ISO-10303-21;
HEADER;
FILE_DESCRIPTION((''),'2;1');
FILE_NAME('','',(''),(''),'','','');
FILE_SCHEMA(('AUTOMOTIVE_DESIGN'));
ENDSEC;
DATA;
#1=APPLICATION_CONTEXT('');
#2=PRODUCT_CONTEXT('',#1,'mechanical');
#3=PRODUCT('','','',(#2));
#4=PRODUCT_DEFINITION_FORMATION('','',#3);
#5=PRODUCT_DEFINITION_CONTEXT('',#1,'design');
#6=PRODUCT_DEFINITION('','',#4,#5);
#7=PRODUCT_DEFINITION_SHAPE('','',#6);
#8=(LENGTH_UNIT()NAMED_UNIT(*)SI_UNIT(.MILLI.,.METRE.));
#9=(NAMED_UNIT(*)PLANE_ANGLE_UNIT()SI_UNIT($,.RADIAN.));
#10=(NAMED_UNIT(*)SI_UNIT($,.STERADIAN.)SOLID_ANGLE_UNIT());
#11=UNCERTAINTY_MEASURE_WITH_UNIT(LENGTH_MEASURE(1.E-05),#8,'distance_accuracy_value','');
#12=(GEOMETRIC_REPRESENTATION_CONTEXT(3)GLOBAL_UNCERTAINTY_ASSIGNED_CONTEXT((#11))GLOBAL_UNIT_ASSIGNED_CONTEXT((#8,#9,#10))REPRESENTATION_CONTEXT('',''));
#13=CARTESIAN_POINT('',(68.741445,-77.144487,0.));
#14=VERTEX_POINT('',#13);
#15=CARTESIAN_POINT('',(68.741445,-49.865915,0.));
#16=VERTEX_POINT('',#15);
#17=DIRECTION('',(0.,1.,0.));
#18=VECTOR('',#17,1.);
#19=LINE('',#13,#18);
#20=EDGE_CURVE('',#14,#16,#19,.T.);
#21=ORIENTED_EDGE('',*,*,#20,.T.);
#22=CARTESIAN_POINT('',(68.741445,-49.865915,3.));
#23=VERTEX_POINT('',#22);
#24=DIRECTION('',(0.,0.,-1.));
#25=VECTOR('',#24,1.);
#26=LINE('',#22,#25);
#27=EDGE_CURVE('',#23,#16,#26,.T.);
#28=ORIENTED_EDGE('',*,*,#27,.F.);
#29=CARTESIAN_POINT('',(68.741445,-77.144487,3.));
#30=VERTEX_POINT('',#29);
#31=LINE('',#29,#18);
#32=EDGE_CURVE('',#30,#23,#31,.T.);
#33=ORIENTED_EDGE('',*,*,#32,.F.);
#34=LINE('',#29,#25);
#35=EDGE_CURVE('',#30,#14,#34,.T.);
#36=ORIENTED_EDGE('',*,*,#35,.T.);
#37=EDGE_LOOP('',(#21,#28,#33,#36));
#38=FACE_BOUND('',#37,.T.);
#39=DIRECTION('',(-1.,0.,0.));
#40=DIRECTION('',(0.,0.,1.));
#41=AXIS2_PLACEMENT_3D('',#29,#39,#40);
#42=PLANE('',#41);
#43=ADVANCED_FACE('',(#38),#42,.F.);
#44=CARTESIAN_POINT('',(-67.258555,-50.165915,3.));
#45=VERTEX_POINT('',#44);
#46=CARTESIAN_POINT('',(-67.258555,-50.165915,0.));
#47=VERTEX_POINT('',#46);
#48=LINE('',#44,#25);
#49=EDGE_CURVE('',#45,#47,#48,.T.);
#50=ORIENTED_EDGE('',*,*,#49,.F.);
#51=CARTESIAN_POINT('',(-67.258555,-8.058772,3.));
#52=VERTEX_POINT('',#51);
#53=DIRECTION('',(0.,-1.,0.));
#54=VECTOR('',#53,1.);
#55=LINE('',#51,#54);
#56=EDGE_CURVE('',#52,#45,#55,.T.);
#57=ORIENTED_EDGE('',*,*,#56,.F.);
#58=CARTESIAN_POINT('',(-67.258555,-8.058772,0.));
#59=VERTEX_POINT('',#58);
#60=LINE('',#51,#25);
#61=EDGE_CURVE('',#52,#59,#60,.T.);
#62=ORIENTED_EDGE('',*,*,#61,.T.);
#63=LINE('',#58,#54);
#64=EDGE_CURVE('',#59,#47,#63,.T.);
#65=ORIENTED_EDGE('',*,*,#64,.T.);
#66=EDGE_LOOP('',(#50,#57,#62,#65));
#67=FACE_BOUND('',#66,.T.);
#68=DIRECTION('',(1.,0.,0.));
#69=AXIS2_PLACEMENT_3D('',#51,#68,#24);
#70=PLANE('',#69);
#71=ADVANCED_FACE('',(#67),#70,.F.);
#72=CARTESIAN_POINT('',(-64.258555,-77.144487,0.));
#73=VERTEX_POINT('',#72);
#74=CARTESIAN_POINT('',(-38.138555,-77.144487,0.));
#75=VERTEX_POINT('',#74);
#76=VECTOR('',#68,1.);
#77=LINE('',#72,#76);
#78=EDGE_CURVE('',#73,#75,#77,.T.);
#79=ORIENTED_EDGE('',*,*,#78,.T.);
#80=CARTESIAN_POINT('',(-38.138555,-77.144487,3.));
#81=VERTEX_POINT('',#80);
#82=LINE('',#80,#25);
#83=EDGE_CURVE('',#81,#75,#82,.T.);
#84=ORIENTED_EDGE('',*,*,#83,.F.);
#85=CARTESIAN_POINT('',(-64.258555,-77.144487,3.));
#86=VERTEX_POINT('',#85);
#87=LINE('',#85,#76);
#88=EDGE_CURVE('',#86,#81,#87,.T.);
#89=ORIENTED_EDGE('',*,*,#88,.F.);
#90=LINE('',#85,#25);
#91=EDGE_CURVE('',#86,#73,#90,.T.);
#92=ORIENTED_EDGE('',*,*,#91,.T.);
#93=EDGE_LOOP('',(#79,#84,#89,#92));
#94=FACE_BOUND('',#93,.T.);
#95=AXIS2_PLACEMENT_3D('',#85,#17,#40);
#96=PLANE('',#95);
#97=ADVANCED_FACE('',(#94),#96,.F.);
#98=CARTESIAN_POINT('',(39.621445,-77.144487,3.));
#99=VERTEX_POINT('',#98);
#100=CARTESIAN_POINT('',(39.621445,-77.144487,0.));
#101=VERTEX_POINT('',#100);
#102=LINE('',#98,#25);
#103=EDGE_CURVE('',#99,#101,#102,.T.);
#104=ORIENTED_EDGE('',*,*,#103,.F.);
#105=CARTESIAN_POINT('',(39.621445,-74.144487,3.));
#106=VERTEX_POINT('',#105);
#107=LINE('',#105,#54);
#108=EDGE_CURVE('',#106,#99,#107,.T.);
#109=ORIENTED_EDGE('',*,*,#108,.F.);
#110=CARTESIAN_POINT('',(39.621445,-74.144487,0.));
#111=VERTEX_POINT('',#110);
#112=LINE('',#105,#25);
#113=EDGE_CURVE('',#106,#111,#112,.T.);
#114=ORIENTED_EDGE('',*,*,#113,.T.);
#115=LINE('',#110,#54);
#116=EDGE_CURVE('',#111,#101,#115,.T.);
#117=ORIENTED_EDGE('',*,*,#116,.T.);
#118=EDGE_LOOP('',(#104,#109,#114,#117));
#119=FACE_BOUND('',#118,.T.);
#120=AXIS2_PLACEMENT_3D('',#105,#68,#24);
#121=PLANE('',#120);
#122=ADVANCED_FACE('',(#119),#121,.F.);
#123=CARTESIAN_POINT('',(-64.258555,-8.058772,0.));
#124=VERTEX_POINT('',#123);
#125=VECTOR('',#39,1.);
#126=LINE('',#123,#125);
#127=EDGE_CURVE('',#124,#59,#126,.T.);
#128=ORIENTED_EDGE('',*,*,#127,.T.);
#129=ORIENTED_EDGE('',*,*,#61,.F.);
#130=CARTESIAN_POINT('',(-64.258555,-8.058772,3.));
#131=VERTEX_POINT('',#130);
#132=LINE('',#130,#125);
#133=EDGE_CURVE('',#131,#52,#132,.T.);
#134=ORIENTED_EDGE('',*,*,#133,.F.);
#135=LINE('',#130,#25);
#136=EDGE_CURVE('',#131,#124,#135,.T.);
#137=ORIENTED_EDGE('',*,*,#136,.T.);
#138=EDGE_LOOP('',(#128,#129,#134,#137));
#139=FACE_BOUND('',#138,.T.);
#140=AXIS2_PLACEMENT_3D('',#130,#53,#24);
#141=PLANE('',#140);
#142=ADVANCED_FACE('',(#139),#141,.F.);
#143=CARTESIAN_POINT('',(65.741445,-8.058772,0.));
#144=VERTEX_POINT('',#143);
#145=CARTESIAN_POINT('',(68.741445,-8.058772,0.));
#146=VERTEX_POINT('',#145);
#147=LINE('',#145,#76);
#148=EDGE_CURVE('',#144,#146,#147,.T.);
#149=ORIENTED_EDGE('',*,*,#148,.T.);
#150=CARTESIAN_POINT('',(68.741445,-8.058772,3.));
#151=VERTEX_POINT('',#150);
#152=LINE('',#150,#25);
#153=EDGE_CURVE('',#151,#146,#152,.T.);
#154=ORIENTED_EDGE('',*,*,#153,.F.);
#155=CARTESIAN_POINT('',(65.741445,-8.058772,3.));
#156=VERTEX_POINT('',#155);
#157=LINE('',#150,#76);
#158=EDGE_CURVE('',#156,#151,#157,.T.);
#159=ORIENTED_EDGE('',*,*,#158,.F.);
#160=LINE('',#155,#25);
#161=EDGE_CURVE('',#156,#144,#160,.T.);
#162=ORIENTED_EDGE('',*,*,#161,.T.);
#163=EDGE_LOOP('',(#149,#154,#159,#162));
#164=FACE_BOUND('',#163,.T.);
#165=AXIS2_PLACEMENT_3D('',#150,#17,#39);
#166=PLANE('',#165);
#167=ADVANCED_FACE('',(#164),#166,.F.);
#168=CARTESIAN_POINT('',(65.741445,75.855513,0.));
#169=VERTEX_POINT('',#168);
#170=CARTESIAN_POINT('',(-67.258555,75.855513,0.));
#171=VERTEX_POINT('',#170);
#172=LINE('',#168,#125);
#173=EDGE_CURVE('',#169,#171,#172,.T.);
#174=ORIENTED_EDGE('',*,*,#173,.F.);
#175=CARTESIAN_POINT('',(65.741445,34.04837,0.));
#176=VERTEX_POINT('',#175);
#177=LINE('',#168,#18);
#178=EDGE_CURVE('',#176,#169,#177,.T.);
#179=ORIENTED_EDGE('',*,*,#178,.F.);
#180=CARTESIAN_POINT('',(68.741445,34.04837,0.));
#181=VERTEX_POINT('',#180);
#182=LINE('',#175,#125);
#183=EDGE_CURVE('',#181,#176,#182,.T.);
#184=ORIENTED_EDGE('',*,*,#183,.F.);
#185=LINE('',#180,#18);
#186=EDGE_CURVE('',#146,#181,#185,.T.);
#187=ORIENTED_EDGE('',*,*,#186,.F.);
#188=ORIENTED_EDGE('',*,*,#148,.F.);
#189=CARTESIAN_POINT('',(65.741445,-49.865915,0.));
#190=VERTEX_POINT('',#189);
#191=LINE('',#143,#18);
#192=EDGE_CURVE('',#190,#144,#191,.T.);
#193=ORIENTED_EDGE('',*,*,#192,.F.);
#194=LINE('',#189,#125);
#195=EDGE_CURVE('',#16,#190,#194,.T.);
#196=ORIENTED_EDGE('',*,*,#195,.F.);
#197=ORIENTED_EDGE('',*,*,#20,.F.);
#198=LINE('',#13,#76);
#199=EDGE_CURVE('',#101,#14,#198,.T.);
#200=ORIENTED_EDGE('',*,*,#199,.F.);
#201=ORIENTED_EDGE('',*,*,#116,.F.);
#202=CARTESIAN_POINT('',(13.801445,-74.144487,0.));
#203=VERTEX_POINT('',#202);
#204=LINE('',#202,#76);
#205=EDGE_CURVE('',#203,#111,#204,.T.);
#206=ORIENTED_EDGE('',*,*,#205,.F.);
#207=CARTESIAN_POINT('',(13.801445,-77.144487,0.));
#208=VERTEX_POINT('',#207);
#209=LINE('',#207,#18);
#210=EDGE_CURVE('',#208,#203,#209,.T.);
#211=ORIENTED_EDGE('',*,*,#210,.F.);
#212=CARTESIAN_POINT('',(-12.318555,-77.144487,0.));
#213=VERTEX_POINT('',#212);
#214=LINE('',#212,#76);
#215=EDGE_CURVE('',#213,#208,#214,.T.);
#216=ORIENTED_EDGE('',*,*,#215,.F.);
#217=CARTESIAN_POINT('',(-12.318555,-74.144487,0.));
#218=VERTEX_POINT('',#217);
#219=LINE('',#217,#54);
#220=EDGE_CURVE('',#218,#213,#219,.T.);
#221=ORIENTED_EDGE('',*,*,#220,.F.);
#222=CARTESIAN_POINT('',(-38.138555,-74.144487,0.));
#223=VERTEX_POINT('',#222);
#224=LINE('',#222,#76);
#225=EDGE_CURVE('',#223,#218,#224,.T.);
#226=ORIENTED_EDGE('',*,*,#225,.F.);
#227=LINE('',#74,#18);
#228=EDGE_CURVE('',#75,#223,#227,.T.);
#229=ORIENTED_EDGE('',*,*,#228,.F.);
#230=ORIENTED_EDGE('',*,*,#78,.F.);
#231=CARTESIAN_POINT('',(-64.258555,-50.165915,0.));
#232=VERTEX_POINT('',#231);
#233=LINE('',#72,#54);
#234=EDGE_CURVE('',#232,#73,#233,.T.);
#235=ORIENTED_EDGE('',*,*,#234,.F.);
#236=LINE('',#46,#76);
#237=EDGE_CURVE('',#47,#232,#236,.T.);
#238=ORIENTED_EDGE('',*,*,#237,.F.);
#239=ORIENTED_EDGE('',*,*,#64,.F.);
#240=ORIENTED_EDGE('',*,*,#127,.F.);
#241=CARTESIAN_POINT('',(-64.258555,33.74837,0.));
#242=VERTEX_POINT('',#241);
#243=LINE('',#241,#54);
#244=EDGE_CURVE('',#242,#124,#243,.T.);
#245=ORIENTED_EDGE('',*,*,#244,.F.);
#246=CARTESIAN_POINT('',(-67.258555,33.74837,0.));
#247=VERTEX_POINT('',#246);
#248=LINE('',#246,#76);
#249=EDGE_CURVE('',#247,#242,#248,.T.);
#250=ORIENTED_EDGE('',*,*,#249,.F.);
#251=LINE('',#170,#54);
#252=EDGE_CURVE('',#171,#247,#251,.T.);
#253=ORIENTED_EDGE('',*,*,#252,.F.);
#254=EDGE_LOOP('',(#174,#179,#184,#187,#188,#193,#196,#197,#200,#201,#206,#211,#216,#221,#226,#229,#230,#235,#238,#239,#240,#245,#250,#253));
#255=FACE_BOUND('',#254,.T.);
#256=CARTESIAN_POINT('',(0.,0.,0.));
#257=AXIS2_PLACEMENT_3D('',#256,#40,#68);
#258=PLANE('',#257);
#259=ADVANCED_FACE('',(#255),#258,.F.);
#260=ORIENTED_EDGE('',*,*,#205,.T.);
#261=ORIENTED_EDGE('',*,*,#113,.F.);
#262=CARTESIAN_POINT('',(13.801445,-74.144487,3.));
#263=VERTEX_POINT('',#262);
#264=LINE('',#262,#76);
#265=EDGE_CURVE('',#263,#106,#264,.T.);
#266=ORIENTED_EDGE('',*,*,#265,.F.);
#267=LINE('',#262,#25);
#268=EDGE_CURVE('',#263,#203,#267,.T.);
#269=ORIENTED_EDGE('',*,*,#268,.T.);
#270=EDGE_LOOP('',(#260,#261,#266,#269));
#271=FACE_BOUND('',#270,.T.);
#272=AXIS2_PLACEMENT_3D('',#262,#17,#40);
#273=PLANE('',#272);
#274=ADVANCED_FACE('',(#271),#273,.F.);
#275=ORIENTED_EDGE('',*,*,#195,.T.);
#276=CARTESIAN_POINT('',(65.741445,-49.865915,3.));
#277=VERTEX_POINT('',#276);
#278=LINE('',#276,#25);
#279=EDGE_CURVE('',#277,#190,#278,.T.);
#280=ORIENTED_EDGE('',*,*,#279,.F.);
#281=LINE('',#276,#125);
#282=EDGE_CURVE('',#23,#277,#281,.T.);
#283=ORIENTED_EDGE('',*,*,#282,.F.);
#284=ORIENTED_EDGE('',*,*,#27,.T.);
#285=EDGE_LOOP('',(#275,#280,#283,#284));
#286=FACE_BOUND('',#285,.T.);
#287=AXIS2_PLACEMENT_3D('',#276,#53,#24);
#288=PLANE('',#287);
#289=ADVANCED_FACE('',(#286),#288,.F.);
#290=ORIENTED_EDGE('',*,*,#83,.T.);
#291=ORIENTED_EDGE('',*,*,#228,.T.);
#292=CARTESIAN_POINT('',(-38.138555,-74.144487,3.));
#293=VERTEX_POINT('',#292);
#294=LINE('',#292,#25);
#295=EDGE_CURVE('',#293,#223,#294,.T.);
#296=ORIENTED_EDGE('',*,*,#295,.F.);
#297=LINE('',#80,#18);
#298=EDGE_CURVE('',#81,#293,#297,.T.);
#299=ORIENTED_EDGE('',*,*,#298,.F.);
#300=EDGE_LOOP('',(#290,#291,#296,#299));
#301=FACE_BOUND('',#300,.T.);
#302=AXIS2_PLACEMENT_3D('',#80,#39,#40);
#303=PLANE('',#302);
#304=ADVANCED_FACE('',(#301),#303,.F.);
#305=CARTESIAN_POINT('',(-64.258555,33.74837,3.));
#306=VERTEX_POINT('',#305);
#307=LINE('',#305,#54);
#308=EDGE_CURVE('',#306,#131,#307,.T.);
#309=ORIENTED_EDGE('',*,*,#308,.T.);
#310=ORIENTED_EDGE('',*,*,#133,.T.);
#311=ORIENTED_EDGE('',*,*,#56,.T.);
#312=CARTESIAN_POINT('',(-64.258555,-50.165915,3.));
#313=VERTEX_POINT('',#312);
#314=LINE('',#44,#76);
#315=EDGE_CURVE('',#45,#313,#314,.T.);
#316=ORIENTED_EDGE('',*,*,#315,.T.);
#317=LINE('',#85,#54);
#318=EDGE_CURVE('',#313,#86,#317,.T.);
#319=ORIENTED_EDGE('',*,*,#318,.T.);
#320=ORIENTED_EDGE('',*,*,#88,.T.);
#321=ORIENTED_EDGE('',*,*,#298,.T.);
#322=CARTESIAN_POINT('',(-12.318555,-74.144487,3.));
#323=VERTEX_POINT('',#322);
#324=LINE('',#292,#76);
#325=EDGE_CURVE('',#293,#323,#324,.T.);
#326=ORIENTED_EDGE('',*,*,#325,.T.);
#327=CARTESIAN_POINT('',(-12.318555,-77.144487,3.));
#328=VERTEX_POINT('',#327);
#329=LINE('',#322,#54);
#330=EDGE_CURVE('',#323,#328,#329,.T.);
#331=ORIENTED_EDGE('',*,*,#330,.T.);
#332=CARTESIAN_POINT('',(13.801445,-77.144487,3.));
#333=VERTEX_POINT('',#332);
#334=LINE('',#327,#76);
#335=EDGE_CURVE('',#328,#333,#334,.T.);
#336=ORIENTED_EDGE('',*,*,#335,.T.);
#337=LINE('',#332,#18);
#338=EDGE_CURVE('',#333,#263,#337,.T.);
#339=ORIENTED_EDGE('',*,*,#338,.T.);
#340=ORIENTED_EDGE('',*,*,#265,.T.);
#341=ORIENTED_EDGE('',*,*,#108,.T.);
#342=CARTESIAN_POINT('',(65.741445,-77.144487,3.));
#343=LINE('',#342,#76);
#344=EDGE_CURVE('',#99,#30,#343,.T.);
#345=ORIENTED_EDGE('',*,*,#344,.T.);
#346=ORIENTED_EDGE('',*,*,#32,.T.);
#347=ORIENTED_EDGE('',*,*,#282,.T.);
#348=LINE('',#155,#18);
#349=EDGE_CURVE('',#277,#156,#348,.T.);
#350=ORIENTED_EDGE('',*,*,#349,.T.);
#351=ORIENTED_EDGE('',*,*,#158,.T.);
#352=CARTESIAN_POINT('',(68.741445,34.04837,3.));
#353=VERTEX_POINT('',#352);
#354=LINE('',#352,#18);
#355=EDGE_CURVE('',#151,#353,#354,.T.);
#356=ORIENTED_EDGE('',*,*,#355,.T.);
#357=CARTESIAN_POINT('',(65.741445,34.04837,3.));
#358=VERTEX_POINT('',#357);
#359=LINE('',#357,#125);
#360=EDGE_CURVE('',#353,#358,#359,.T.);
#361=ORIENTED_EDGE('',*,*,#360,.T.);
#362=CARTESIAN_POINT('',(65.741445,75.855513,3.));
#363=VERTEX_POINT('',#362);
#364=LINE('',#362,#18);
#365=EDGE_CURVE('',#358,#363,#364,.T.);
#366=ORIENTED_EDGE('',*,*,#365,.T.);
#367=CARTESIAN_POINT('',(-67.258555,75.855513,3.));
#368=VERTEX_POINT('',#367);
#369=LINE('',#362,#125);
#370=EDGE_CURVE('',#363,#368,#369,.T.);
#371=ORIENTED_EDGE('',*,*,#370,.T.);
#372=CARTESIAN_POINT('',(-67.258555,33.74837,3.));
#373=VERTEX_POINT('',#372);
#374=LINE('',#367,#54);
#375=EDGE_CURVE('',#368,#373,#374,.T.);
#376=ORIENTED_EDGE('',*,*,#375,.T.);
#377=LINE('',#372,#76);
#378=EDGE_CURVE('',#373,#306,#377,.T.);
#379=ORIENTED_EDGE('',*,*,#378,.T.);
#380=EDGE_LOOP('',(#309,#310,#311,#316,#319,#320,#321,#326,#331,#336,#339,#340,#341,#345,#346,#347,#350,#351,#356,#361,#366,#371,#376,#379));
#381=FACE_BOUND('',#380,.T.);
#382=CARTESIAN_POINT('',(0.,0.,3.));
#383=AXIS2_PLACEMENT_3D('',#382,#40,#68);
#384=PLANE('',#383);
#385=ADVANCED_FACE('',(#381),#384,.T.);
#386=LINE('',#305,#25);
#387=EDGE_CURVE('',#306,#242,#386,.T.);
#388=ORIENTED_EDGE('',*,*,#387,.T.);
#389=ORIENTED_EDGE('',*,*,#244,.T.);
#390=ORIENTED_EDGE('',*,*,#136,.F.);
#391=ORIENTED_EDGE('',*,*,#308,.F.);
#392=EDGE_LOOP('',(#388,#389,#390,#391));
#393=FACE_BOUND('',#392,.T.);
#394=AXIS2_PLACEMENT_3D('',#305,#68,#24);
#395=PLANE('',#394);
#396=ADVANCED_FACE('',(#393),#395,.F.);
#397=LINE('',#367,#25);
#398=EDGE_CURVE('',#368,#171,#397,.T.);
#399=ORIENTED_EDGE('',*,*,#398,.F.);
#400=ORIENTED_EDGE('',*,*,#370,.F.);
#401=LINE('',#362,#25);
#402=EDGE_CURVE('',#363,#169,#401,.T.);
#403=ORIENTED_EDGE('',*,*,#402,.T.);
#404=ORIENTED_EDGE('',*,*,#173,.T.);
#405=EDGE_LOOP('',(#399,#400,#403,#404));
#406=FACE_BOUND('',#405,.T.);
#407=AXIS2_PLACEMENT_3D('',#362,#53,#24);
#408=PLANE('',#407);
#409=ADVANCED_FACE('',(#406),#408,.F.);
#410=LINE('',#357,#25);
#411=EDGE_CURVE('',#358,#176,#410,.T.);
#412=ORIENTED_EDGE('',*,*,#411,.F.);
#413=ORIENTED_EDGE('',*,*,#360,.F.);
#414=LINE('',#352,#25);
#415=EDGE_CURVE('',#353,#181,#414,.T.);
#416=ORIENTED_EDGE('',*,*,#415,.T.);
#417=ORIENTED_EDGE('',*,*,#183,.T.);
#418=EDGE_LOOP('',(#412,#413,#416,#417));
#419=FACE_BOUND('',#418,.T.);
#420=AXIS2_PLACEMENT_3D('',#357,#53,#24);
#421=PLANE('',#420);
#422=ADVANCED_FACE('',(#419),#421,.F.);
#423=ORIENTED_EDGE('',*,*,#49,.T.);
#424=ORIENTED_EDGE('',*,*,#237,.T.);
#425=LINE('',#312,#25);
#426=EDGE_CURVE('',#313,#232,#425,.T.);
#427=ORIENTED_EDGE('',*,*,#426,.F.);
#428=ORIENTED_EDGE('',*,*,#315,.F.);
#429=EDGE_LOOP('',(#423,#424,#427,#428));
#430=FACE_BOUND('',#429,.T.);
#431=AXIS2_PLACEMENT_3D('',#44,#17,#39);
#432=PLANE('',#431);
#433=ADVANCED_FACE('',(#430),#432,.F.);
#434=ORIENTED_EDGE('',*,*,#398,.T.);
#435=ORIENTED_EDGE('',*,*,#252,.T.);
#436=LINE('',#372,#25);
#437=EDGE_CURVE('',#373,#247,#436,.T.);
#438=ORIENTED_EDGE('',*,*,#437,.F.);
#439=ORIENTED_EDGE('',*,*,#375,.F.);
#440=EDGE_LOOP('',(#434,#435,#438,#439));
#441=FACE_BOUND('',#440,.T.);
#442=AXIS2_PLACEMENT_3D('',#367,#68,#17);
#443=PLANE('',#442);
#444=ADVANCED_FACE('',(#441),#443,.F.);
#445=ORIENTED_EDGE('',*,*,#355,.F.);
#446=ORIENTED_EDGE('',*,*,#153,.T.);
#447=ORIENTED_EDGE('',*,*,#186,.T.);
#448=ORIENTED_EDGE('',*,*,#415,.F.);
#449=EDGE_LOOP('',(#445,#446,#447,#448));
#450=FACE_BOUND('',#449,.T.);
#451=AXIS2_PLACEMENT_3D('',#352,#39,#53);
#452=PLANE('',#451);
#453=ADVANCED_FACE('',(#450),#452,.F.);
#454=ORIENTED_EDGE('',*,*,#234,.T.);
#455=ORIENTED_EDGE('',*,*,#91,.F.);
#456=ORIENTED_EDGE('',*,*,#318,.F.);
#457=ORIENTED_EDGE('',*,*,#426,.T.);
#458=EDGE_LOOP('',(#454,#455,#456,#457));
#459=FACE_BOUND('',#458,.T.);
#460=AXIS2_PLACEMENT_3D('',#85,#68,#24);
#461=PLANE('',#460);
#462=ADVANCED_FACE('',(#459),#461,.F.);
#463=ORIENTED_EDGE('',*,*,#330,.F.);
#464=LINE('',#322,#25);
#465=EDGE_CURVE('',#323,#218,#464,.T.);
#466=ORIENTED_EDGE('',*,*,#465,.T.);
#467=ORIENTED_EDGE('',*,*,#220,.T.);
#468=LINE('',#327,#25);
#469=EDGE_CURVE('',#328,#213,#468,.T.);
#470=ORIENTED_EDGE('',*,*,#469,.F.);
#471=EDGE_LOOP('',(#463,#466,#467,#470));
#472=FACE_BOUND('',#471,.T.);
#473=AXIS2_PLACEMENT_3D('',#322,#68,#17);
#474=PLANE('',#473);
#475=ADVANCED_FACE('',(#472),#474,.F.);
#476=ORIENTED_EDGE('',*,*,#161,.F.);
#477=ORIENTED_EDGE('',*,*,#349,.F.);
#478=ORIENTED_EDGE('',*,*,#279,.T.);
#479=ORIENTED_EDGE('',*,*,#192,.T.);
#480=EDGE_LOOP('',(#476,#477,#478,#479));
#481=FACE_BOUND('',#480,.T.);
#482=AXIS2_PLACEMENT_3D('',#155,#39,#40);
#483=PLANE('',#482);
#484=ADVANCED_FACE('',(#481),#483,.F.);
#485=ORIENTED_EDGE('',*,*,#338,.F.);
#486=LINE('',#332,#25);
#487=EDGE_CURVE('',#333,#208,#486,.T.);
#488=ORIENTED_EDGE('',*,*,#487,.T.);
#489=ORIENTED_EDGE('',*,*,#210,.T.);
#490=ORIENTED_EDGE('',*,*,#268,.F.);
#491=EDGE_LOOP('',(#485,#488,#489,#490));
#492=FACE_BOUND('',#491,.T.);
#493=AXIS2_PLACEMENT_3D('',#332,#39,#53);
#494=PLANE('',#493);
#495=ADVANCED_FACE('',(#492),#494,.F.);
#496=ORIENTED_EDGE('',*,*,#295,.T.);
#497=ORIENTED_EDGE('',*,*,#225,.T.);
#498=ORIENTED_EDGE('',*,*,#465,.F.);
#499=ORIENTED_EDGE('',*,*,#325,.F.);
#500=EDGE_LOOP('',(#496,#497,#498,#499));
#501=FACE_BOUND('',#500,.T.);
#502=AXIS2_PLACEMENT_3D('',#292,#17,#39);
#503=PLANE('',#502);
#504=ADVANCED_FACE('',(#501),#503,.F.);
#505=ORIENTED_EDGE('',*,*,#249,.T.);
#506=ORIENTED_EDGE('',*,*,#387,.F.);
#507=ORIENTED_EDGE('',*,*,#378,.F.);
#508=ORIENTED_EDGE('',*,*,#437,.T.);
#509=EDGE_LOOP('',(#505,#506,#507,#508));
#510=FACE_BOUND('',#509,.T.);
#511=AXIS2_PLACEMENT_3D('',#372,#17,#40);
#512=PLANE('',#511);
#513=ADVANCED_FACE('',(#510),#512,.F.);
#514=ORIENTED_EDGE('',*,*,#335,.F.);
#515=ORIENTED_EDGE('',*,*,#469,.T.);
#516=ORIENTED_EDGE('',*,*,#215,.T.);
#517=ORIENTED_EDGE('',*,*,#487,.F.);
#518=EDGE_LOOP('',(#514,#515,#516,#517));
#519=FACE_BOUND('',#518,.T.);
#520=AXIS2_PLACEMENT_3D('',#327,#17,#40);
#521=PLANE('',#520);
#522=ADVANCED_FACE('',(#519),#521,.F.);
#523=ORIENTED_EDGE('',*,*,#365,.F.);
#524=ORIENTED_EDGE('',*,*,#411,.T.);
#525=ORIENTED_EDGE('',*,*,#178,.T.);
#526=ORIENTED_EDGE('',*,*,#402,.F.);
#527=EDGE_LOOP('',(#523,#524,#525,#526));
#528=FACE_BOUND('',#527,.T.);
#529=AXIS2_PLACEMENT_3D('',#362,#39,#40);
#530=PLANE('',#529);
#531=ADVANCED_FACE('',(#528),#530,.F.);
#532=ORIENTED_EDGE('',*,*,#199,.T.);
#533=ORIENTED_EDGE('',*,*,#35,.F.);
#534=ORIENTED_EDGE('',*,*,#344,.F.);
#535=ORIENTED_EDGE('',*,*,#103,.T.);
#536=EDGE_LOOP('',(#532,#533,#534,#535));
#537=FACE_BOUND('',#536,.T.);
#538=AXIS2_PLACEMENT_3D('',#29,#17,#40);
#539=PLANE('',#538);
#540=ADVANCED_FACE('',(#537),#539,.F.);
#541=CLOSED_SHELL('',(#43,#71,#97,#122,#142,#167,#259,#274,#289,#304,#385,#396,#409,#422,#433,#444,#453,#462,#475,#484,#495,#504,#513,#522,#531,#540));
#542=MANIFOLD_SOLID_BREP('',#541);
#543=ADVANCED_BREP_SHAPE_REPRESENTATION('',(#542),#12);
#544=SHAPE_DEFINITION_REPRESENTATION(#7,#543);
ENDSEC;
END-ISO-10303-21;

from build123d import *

# Parameters (mm, degrees)
BOSS_EXTRUDE1_DEPTH = 3


with BuildPart() as part:
    # Sketch1 → Boss-Extrude1 (new body)
    with BuildSketch(Plane.XY):
        Polygon((68.741444867, -77.144486692), (65.741444867, -77.144486692), (39.621444867, -77.144486692), (39.621444867, -74.144486692), (13.801444867, -74.144486692), (13.801444867, -77.144486692), (-12.318555133, -77.144486692), (-12.318555133, -74.144486692), (-38.138555133, -74.144486692), (-38.138555133, -77.144486692), (-64.258555133, -77.144486692), (-64.258555133, -50.165915272), (-67.258555133, -50.165915272), (-67.258555133, -8.058772412), (-64.258555133, -8.058772412), (-64.258555133, 33.748370448), (-67.258555133, 33.748370448), (-67.258555133, 75.855513308), (65.741444867, 75.855513308), (65.741444867, 34.048370448), (68.741444867, 34.048370448), (68.741444867, -8.058772412), (65.741444867, -8.058772412), (65.741444867, -49.865915272), (68.741444867, -49.865915272), align=None)
    extrude(amount=BOSS_EXTRUDE1_DEPTH)


solid = part.part
